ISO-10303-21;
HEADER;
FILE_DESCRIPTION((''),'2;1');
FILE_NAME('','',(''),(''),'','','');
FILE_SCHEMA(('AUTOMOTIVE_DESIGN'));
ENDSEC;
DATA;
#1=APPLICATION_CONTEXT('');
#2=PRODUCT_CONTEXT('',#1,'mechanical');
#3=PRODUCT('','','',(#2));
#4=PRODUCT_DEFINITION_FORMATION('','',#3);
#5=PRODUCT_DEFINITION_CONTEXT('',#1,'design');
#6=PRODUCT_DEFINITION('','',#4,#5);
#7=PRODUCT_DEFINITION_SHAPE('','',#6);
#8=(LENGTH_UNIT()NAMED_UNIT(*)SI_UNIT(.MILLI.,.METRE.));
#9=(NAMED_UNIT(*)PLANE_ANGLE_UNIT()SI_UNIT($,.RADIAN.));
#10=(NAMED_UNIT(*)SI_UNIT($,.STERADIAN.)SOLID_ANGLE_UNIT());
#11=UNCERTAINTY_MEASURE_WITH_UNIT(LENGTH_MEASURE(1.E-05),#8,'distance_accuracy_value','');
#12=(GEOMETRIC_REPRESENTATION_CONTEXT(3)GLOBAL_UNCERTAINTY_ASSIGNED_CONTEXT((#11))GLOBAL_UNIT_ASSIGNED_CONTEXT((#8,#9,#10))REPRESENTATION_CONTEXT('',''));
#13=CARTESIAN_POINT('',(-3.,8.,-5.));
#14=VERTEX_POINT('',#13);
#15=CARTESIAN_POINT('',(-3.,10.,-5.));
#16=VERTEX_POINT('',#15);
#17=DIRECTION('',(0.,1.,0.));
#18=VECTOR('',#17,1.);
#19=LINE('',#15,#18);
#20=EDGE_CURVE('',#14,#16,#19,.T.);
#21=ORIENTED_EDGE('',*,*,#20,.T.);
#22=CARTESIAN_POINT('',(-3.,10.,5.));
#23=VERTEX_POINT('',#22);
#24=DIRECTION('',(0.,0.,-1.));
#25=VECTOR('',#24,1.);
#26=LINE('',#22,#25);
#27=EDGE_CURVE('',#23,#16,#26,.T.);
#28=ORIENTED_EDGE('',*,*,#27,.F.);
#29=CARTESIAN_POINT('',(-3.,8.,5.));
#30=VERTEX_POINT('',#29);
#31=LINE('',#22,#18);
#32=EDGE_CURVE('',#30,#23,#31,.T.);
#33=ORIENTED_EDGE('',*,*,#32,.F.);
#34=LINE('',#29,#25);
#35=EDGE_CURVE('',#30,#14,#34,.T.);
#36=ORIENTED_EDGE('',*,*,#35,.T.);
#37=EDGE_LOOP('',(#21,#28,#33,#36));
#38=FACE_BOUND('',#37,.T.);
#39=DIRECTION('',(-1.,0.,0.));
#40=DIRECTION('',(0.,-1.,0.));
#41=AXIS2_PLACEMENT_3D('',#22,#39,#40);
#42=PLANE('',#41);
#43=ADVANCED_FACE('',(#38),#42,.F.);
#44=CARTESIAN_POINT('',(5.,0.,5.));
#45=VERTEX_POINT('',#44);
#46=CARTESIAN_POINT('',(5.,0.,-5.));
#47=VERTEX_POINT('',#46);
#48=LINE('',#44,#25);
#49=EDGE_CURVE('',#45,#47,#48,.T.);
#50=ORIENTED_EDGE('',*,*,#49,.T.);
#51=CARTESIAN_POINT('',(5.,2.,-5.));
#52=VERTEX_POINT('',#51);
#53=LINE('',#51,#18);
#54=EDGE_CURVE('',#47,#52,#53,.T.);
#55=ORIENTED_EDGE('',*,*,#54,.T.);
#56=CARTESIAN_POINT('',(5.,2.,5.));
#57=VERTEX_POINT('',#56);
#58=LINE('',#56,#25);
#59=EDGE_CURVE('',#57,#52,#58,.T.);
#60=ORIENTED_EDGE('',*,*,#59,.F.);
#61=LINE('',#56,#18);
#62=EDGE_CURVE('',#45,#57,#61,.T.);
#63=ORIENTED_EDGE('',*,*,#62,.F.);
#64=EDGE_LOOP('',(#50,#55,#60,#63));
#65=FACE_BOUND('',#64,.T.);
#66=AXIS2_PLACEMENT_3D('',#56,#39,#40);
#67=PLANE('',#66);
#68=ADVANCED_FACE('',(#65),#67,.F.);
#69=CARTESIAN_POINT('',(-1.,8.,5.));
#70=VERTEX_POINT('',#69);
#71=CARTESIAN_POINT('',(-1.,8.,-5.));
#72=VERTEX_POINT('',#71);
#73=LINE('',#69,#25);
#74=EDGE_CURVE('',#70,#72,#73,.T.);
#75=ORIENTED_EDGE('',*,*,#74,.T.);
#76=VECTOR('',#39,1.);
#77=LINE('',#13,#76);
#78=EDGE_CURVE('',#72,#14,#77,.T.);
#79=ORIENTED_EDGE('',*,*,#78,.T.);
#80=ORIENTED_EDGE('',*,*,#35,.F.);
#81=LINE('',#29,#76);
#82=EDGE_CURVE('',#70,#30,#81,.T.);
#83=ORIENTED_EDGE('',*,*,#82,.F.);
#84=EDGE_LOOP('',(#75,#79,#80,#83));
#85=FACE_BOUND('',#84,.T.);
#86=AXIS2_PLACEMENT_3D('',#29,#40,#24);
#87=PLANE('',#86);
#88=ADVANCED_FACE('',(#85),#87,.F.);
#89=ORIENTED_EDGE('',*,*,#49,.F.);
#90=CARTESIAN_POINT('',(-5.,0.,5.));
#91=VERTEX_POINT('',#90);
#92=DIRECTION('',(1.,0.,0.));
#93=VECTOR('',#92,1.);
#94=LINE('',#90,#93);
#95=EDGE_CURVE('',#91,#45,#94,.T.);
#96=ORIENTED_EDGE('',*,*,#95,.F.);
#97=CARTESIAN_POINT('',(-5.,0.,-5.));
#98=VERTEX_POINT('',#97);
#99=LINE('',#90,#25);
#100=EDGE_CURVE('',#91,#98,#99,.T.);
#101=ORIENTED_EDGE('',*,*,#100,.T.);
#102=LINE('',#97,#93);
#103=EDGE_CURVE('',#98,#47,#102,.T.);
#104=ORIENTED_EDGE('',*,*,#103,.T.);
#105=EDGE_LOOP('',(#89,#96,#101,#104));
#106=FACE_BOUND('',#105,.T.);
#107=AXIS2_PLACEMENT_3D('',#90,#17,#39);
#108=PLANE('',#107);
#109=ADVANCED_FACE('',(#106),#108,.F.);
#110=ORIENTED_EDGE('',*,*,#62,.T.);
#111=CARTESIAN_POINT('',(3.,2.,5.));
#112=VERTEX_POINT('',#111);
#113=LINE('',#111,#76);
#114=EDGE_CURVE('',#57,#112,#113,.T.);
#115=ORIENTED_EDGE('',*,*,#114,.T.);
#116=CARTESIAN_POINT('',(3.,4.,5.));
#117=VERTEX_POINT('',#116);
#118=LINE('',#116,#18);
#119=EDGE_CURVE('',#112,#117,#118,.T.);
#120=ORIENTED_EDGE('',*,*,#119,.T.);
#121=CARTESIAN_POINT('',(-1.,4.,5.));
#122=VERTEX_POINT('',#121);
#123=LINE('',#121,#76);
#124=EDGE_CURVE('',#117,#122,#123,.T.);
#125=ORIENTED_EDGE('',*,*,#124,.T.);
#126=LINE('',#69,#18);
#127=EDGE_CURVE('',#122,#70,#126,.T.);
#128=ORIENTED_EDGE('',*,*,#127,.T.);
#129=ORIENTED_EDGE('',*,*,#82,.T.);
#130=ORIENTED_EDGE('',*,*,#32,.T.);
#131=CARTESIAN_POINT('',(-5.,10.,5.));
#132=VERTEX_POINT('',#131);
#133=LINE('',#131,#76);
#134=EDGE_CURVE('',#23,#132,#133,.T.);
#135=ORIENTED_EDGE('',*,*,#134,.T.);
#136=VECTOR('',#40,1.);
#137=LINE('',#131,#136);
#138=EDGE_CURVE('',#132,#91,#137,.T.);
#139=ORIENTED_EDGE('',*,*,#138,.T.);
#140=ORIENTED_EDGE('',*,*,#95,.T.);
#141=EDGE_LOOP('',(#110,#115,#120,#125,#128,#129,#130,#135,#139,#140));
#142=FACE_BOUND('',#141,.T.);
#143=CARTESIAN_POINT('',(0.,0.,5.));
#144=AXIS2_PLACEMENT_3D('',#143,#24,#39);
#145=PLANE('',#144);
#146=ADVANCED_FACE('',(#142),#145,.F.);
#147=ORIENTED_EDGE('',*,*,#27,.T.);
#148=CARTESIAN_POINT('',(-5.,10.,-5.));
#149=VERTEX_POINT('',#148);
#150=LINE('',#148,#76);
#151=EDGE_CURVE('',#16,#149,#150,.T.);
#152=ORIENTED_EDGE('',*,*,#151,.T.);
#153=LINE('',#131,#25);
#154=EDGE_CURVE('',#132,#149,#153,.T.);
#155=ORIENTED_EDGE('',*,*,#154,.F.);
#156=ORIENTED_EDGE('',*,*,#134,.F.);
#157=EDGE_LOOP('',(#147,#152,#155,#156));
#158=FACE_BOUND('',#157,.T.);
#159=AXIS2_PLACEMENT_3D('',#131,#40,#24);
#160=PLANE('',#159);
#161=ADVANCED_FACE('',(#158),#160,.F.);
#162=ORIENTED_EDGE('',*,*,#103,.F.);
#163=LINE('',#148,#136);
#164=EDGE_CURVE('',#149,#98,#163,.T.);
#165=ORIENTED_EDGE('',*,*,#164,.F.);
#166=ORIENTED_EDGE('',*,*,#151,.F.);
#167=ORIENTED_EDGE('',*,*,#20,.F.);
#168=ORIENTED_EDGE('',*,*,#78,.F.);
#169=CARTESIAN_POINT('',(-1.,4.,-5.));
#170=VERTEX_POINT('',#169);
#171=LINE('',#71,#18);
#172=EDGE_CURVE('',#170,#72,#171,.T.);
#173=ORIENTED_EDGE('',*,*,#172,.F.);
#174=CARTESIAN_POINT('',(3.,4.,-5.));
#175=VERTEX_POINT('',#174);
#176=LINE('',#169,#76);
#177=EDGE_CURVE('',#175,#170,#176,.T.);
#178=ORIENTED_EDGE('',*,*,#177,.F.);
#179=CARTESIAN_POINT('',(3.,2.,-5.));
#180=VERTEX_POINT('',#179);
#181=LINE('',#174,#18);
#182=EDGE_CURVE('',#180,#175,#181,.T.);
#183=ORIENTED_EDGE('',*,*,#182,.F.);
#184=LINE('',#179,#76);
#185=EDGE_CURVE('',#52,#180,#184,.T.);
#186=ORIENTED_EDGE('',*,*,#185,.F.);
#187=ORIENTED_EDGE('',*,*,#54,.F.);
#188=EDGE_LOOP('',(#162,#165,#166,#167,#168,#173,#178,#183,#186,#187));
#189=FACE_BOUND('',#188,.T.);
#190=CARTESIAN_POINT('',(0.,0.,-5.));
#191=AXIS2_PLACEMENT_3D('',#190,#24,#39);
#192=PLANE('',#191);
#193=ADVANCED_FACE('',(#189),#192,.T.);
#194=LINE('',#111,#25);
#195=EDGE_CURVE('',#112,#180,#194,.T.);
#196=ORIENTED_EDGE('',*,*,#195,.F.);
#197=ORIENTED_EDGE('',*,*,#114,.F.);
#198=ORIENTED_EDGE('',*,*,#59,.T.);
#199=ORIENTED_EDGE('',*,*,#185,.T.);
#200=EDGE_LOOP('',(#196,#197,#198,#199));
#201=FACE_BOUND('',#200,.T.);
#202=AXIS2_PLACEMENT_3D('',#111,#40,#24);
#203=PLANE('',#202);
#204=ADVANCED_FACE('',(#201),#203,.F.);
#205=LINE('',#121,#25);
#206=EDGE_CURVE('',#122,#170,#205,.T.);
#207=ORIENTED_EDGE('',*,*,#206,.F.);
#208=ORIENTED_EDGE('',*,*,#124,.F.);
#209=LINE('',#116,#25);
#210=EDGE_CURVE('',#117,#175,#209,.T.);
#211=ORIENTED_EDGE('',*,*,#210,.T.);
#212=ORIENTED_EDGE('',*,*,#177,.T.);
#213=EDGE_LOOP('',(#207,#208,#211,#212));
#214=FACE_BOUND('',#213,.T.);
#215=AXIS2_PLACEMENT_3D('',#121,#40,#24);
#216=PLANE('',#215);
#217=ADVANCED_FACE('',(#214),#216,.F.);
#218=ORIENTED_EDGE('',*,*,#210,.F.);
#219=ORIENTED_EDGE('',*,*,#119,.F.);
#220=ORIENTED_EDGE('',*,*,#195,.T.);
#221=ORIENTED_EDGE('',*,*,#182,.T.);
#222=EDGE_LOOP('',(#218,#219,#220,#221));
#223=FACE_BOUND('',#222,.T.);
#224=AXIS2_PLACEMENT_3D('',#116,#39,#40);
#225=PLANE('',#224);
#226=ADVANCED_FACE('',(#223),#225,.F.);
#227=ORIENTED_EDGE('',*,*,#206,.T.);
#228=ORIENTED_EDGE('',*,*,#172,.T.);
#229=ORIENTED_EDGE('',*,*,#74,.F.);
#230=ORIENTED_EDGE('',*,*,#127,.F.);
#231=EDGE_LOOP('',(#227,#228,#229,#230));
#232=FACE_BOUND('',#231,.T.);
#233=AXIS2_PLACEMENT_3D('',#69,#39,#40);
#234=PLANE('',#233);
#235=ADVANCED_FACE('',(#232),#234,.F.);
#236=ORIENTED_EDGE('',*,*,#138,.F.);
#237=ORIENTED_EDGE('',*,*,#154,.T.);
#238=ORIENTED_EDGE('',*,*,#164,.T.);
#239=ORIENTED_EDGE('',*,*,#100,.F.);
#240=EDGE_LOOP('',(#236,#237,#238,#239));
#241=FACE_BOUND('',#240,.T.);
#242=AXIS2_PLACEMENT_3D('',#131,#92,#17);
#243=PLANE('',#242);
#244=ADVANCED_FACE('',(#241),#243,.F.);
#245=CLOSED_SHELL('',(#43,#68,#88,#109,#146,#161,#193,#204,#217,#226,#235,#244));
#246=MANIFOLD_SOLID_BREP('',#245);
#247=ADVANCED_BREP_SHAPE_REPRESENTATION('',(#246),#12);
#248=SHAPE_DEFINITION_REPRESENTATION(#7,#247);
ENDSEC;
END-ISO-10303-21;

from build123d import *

# Parameters (mm, degrees)
BOSS_EXTRUDE1_DEPTH = 5


with BuildPart() as part:
    # Sketch1 → Boss-Extrude1 (new, symmetric)
    with BuildSketch(Plane.XY):
        Polygon((-5, 10), (-5, 0), (5, 0), (5, 2), (3, 2), (3, 4), (-1, 4), (-1, 8), (-3, 8), (-3, 10), align=None)
    extrude(amount=BOSS_EXTRUDE1_DEPTH, both=True)


solid = part.part
